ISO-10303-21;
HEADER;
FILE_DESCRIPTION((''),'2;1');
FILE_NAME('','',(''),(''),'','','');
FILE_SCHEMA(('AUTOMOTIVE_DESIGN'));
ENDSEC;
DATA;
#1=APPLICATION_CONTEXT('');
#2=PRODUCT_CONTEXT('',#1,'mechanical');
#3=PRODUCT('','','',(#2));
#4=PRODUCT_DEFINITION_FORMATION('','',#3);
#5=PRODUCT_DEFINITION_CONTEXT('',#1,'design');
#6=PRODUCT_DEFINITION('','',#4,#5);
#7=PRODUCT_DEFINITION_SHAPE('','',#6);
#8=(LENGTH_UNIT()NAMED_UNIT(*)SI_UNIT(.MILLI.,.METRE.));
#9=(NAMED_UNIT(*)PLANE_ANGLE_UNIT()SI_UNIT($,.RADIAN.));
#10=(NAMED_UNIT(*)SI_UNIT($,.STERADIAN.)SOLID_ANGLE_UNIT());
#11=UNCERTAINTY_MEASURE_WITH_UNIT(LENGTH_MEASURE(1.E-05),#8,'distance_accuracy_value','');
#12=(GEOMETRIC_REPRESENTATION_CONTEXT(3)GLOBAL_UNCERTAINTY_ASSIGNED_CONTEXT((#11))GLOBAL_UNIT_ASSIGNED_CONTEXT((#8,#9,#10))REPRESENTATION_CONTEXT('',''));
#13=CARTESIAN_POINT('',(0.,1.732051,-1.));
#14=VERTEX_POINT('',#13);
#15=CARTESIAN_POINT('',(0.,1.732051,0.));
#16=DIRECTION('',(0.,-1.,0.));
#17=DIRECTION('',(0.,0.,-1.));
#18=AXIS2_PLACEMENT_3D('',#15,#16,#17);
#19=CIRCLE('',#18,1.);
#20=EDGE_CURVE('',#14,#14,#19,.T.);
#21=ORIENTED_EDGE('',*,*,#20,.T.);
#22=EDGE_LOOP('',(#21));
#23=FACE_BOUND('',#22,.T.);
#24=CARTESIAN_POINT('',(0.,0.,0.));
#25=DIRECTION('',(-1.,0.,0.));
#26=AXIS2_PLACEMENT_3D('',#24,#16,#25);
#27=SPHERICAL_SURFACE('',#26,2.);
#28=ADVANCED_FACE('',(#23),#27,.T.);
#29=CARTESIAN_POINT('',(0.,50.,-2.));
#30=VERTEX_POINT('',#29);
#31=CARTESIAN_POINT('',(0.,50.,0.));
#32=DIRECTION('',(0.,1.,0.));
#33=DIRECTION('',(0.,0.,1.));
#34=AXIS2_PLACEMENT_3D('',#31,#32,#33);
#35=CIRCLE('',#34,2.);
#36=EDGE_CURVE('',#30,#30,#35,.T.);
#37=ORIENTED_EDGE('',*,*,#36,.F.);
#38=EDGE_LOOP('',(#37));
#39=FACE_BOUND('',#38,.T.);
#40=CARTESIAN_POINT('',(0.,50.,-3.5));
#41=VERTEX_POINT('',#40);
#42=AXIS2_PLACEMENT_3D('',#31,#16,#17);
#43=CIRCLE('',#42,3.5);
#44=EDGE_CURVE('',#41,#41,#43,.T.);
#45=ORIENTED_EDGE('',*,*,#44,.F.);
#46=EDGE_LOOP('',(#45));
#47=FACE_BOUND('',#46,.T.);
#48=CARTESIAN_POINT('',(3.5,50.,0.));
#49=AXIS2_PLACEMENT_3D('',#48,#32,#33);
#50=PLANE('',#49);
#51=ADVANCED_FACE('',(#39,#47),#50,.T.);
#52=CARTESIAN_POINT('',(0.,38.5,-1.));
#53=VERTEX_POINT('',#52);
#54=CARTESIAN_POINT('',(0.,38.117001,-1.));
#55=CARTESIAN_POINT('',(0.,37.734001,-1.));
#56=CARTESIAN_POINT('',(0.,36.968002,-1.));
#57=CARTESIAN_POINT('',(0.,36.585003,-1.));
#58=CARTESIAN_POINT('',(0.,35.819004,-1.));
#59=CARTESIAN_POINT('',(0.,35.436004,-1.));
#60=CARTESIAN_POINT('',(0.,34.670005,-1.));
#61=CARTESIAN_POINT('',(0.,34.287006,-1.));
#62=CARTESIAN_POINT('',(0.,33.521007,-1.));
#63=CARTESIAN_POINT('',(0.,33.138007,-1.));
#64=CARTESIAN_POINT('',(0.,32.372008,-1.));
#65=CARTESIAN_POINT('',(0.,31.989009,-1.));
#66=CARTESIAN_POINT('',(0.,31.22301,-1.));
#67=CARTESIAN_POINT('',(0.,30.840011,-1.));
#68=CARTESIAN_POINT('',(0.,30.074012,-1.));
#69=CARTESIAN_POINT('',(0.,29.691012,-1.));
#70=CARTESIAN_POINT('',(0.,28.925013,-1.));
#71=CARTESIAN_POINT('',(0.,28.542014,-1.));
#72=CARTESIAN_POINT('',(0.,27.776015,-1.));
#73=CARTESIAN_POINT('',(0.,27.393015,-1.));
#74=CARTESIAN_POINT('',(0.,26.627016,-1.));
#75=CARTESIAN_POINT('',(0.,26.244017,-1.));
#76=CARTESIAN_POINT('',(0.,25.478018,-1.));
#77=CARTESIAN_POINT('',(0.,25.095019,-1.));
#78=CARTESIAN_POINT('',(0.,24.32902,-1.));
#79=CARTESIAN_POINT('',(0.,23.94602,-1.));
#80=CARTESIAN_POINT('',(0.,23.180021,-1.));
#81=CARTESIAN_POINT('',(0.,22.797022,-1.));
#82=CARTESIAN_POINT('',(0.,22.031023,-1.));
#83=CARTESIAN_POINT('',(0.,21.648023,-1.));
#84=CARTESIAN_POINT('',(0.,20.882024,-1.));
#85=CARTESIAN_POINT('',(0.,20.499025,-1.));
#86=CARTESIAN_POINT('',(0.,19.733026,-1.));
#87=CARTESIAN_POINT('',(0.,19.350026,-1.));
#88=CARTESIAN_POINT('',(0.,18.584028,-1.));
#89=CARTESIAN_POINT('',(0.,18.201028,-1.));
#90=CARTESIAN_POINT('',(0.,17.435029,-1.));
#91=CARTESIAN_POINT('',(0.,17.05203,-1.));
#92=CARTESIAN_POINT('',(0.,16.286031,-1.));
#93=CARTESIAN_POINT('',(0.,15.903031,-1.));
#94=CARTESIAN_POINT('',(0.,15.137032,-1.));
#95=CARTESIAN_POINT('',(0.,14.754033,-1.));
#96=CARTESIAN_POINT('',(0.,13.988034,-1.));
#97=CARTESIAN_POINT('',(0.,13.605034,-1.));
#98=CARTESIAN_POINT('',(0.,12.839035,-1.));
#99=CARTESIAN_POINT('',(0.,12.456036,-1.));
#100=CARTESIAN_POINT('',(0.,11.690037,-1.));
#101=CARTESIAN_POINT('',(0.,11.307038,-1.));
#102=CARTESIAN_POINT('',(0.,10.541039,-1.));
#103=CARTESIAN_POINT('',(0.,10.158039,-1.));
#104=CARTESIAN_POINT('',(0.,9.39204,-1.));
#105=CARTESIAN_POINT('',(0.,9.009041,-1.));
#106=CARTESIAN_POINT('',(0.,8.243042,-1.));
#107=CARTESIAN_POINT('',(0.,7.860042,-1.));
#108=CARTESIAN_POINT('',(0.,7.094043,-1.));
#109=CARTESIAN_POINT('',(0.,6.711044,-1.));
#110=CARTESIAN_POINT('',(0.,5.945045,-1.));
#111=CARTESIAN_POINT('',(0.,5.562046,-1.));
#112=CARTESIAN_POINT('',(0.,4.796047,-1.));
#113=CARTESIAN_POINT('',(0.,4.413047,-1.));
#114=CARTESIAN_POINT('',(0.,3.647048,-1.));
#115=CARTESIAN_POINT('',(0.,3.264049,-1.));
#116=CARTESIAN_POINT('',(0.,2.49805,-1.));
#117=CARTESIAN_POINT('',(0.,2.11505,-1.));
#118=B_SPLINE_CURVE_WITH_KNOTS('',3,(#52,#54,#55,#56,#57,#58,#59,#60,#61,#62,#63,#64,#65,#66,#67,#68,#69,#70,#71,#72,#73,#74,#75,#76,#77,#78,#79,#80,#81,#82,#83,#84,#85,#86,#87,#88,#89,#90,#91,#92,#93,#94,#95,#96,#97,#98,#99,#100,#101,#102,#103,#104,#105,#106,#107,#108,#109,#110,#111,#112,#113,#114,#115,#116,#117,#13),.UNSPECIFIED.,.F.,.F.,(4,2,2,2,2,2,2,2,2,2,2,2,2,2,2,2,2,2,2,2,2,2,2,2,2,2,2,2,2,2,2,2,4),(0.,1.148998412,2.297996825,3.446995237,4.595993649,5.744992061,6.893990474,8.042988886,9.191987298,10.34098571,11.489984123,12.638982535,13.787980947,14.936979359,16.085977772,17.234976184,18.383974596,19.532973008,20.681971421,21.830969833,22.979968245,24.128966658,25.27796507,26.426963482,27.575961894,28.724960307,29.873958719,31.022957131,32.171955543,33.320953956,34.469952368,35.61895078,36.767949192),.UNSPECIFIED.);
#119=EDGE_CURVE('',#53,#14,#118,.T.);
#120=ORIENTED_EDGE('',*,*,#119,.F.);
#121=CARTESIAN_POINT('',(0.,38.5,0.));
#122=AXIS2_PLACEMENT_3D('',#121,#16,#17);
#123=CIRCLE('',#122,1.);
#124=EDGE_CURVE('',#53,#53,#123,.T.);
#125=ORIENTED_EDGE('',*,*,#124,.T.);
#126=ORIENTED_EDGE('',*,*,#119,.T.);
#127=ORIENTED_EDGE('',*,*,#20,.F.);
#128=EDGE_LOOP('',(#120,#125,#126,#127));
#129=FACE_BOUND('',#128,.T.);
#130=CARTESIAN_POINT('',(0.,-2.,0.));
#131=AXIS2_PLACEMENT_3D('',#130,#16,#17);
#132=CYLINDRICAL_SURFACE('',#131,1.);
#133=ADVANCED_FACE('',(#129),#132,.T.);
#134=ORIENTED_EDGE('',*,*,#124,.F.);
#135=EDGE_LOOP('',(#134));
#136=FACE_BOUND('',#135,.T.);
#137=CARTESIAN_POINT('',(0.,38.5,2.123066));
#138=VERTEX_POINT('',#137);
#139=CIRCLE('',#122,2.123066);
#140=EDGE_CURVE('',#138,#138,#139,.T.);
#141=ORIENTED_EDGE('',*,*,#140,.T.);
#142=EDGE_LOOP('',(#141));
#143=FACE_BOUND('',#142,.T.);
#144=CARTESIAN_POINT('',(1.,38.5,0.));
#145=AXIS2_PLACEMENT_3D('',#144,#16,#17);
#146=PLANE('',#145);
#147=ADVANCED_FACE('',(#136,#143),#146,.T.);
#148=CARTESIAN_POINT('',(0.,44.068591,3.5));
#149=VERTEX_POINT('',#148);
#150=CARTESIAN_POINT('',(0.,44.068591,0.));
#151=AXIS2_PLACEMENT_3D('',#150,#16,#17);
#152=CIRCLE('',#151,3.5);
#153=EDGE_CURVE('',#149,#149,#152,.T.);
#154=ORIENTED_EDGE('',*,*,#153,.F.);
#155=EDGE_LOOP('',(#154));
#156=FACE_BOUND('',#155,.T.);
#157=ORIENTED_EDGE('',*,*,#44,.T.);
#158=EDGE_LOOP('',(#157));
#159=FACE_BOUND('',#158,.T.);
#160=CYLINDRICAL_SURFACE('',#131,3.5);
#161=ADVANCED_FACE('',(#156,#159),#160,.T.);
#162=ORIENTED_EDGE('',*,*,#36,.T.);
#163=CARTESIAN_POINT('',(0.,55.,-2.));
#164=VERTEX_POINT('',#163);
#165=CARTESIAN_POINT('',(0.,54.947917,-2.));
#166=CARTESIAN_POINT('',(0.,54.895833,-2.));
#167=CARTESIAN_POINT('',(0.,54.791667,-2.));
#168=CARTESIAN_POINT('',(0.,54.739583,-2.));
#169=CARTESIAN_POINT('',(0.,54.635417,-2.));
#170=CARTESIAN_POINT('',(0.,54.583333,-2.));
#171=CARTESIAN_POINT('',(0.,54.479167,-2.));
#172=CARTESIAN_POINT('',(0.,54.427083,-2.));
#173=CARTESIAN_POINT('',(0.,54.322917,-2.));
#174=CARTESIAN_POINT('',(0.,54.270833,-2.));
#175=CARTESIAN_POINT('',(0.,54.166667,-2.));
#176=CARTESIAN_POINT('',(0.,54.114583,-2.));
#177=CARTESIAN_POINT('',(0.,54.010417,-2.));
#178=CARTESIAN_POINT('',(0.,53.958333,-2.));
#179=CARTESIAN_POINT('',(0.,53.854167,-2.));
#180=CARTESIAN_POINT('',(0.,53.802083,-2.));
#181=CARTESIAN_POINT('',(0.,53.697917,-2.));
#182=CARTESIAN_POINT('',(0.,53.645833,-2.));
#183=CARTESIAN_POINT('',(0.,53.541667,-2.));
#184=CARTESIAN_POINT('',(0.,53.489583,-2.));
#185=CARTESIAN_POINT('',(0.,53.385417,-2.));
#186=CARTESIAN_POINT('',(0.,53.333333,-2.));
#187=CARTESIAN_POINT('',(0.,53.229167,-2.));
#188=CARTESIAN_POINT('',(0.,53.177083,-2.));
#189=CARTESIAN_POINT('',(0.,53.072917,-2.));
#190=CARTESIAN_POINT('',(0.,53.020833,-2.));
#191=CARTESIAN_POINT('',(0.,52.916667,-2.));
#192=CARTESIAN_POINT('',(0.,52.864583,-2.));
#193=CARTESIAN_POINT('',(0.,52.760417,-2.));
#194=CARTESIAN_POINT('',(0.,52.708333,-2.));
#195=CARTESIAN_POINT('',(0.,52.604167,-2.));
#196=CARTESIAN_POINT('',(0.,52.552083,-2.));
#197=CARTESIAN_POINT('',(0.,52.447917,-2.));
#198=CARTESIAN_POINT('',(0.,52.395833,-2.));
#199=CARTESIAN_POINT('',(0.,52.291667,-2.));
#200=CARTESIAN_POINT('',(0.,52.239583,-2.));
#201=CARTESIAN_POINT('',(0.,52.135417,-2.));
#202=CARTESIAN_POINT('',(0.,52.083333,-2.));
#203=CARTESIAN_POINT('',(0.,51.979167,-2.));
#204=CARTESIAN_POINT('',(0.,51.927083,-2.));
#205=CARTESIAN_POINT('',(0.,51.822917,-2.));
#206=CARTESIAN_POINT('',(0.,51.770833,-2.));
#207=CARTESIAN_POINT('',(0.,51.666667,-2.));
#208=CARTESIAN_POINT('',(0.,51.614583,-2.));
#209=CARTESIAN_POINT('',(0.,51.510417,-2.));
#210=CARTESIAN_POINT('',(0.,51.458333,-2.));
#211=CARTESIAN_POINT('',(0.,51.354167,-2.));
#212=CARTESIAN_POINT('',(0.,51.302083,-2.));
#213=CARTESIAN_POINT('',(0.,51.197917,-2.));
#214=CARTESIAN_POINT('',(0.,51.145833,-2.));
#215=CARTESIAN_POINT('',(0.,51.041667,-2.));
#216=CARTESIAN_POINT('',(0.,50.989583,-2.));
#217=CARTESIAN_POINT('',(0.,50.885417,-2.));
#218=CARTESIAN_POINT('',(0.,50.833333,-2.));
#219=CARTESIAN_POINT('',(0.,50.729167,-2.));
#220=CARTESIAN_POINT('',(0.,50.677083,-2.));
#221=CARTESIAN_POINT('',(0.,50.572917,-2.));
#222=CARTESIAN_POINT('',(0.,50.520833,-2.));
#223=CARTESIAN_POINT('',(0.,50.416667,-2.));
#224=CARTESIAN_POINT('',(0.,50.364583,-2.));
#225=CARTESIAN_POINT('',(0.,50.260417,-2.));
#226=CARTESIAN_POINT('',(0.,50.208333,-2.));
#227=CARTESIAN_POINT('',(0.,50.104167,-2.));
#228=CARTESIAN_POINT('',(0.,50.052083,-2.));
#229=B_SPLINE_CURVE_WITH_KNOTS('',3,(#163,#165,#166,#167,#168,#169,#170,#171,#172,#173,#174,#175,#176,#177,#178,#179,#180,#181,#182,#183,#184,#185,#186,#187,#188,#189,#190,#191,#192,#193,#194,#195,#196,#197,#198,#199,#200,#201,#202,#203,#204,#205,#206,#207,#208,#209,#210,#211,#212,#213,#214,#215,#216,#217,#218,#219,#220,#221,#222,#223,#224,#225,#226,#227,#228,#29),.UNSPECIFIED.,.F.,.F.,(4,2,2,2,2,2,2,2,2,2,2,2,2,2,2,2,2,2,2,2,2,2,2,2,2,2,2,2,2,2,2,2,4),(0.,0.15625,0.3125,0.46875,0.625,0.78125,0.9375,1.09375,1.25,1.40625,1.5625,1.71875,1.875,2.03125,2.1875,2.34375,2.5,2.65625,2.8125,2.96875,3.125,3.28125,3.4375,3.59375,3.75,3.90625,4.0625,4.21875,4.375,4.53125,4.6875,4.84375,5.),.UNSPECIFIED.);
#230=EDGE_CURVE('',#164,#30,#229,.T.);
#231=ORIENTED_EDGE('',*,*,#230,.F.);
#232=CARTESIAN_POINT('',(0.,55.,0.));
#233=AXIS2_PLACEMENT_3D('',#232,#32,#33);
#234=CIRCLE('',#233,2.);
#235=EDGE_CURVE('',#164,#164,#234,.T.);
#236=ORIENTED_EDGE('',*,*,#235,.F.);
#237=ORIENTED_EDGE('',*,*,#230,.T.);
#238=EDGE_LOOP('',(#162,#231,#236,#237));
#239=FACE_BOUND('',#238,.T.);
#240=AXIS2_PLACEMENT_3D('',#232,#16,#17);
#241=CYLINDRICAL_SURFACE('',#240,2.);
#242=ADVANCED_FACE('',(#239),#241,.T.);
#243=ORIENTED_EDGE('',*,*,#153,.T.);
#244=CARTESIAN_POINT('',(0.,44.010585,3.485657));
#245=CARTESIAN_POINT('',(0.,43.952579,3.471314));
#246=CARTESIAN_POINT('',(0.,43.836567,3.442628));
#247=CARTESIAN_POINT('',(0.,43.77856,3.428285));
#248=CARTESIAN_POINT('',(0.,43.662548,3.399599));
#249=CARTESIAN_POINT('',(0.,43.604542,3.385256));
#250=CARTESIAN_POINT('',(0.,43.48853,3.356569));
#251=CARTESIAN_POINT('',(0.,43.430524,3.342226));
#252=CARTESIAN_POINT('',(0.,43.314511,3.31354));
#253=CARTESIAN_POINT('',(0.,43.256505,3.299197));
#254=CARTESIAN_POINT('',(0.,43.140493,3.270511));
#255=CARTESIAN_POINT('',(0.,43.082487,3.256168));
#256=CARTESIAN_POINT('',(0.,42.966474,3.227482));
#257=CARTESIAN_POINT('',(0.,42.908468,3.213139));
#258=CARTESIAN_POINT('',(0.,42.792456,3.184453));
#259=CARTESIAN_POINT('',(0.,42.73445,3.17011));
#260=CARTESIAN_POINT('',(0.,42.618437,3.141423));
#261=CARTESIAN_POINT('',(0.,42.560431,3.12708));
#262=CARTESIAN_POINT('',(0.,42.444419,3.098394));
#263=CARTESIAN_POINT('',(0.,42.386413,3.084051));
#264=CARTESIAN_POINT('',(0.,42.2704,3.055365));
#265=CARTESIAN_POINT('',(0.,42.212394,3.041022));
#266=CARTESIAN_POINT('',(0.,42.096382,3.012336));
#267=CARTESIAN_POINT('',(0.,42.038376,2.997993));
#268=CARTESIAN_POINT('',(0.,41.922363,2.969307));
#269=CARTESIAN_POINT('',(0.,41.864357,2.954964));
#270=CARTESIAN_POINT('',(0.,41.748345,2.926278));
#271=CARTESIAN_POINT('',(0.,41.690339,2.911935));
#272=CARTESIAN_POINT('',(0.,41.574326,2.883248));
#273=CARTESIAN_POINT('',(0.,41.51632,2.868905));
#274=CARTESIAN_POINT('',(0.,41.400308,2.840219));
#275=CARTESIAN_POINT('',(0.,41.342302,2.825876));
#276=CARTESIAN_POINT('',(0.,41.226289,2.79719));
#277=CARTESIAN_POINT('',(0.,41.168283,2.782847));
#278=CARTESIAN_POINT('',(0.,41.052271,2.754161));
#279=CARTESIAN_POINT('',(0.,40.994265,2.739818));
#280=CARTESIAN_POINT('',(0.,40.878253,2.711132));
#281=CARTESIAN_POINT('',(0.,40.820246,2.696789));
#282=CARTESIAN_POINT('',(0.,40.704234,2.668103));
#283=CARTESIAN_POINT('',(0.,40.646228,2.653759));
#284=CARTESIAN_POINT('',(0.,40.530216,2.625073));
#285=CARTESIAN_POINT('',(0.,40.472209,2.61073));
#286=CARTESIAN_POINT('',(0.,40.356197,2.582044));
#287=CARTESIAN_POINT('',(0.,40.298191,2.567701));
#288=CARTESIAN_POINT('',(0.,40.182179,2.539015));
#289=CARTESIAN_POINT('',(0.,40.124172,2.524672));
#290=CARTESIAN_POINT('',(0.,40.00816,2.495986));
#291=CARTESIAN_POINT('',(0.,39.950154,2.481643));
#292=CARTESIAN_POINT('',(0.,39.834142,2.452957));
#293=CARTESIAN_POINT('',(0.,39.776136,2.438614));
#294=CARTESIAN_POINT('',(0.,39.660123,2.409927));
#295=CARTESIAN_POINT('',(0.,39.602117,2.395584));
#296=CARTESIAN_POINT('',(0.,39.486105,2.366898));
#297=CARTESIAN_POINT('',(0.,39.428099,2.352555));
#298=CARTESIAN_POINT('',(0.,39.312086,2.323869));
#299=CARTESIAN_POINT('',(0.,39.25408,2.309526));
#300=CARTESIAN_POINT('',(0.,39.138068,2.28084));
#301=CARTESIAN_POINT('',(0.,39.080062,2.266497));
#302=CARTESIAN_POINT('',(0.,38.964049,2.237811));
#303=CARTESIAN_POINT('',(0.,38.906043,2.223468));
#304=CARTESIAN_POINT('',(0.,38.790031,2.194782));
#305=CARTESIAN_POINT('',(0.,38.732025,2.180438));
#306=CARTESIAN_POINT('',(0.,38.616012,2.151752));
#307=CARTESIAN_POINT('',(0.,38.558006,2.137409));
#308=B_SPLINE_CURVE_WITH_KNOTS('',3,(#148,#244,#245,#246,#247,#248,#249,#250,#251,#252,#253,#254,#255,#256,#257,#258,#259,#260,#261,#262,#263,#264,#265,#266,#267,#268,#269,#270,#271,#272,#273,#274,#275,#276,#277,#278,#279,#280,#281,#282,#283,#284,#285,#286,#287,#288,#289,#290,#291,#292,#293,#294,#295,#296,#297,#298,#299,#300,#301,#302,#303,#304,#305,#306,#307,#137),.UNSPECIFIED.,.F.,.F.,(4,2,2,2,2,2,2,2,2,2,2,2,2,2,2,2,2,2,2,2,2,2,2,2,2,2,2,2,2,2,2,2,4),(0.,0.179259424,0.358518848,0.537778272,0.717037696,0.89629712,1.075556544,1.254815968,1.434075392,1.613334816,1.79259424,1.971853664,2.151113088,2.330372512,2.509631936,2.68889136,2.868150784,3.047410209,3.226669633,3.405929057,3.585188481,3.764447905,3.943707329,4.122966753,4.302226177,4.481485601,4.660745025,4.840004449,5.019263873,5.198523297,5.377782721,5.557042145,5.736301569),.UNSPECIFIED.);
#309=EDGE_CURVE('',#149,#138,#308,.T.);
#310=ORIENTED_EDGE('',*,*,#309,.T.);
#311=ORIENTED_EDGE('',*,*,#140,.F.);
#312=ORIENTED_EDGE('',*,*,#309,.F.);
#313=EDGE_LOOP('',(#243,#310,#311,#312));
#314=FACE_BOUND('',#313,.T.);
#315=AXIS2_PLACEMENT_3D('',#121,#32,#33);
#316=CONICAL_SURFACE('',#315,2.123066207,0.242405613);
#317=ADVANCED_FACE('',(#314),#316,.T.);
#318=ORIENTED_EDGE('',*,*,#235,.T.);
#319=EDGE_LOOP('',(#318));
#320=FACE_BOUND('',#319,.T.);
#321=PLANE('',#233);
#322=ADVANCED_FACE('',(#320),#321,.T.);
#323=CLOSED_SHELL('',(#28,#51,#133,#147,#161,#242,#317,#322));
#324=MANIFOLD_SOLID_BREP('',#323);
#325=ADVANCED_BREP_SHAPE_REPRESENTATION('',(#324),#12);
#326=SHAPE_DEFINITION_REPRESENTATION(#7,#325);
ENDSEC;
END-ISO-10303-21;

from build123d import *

# Parameters (mm, degrees)
SKETCH3_R           = 2
BOSS_EXTRUDE1_DEPTH = 5


with BuildPart() as part:
    # Sketch2 → Revolve1 (revolve)
    with BuildSketch(Plane.XY, mode=Mode.PRIVATE) as revolve1_sk:
        with BuildLine():
            Line((1, 1.732050808), (1, 38.5))
            Line((1, 38.5), (2.123066207, 38.5))
            Line((2.123066207, 38.5), (3.5, 44.068591296))
            Line((3.5, 44.068591296), (3.5, 50))
            Line((3.5, 50), (0, 50))
            Line((0, 50), (0, -2))
            ThreePointArc((0, -2), (1.931851653, -0.51763809), (1, 1.732050808))
        make_face()
    revolve(revolve1_sk.sketch.rotate(Axis((0, -2, 0), (0, 1, 0)), 90), axis=Axis((0, -2, 0), (0, 1, 0)))

    # Sketch3 → Boss-Extrude1 (add)
    with BuildSketch(Plane(origin=(0, 50, 0), x_dir=(1, 0, 0), z_dir=(0, 1, 0))):
        with Locations(Location((0, 0, 0), (0, 0, 90))):
            Circle(SKETCH3_R)
    extrude(amount=BOSS_EXTRUDE1_DEPTH)


solid = part.part
